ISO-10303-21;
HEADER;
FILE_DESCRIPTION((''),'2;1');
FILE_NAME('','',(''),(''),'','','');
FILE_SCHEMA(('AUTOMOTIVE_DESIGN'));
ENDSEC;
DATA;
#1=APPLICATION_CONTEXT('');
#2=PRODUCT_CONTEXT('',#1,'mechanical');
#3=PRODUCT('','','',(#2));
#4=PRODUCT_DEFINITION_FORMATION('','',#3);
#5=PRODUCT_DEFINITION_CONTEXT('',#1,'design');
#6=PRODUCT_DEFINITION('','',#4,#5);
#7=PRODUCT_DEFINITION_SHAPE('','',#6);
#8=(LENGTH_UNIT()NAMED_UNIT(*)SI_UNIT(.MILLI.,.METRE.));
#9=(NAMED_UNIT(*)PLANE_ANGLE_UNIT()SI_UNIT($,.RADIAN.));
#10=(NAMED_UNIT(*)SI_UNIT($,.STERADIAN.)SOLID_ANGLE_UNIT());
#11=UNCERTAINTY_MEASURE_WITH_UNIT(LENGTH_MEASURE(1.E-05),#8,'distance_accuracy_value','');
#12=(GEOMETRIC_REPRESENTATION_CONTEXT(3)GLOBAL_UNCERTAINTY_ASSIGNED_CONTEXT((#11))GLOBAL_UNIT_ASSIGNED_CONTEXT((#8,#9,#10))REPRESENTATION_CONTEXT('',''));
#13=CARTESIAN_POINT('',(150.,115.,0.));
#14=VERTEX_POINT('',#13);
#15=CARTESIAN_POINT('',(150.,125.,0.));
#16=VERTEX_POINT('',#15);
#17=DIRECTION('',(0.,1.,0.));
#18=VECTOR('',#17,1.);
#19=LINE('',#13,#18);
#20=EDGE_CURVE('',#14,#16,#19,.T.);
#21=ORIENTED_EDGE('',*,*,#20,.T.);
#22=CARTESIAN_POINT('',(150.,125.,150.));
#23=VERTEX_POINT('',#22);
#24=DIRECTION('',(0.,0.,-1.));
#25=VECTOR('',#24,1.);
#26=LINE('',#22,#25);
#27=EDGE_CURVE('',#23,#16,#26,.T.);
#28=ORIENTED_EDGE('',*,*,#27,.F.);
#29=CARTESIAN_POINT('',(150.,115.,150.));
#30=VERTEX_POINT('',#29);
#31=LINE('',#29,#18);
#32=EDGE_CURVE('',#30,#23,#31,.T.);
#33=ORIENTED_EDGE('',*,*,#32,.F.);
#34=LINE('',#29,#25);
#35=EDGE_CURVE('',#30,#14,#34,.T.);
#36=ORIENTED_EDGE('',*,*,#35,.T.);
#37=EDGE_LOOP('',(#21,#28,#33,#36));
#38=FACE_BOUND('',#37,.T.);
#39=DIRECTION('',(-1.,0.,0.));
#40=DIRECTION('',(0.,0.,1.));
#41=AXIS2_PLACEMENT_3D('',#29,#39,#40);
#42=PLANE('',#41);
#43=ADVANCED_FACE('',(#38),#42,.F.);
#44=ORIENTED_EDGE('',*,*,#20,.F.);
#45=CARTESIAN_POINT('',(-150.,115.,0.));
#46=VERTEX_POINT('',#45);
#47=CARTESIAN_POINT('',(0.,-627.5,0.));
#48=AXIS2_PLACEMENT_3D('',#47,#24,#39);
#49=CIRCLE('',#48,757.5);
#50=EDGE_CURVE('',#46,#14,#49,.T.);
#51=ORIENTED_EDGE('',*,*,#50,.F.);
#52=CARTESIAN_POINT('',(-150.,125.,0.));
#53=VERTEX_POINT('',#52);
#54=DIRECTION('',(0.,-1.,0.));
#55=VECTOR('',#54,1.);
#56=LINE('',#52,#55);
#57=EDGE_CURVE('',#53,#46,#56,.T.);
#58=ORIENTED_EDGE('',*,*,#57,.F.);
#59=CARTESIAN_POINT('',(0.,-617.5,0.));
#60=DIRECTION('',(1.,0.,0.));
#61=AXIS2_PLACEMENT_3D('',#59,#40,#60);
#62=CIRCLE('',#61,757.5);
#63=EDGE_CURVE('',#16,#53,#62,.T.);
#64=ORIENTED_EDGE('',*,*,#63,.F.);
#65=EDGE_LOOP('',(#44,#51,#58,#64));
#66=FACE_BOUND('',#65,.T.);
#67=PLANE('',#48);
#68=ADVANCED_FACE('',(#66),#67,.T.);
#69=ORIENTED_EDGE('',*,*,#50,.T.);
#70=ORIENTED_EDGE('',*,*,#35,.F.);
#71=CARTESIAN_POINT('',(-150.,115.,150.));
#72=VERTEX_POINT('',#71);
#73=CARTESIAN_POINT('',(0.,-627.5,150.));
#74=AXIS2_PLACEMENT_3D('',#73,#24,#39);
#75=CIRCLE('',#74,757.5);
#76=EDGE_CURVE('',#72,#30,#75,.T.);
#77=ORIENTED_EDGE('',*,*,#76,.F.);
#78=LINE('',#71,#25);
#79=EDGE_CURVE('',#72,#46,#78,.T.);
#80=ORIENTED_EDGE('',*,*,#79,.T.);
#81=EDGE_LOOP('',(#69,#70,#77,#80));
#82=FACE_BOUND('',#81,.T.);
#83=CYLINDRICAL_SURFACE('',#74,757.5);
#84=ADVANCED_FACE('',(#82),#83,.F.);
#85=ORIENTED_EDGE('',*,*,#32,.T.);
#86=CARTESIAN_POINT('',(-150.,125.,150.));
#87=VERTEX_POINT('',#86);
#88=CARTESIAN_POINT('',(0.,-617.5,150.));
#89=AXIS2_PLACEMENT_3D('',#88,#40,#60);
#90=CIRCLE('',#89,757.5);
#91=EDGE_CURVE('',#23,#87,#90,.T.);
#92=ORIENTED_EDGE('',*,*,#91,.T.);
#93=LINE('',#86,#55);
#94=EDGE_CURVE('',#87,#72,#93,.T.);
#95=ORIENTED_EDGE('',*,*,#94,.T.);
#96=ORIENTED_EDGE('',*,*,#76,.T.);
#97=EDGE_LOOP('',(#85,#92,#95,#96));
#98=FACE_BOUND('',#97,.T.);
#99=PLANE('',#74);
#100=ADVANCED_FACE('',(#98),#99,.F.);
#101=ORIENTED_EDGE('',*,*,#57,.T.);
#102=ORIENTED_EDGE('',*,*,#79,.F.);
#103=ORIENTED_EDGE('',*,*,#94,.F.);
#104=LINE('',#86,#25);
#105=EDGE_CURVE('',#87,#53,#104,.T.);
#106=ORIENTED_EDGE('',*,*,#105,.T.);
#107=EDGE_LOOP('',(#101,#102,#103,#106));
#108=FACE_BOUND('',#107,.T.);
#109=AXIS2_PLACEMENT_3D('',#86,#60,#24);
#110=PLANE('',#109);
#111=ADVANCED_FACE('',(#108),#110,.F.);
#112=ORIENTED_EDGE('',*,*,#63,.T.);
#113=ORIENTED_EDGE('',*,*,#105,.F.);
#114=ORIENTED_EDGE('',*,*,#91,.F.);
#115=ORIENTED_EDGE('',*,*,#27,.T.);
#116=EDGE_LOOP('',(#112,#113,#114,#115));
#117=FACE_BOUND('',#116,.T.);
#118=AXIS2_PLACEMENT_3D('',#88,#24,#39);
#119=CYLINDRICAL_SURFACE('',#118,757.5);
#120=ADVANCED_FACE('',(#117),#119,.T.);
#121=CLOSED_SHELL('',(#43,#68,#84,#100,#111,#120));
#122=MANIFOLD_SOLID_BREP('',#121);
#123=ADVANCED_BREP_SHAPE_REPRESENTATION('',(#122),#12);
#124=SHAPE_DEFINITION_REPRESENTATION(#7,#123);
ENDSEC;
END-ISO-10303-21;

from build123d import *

# Parameters (mm, degrees)
TEST_L300_W150_RISE15_VERTICAL_T10_DEPTH = 150


with BuildPart() as part:
    # 草图1 → TEST_L300_W150_RISE15_VERTICAL_T10 (new body)
    with BuildSketch(Plane.XY):
        with BuildLine():
            Line((150, 115), (150, 125))
            ThreePointArc((150, 125), (0, 140), (-150, 125))
            Line((-150, 125), (-150, 115))
            ThreePointArc((-150, 115), (0, 130), (150, 115))
        make_face()
    extrude(amount=TEST_L300_W150_RISE15_VERTICAL_T10_DEPTH)


solid = part.part
